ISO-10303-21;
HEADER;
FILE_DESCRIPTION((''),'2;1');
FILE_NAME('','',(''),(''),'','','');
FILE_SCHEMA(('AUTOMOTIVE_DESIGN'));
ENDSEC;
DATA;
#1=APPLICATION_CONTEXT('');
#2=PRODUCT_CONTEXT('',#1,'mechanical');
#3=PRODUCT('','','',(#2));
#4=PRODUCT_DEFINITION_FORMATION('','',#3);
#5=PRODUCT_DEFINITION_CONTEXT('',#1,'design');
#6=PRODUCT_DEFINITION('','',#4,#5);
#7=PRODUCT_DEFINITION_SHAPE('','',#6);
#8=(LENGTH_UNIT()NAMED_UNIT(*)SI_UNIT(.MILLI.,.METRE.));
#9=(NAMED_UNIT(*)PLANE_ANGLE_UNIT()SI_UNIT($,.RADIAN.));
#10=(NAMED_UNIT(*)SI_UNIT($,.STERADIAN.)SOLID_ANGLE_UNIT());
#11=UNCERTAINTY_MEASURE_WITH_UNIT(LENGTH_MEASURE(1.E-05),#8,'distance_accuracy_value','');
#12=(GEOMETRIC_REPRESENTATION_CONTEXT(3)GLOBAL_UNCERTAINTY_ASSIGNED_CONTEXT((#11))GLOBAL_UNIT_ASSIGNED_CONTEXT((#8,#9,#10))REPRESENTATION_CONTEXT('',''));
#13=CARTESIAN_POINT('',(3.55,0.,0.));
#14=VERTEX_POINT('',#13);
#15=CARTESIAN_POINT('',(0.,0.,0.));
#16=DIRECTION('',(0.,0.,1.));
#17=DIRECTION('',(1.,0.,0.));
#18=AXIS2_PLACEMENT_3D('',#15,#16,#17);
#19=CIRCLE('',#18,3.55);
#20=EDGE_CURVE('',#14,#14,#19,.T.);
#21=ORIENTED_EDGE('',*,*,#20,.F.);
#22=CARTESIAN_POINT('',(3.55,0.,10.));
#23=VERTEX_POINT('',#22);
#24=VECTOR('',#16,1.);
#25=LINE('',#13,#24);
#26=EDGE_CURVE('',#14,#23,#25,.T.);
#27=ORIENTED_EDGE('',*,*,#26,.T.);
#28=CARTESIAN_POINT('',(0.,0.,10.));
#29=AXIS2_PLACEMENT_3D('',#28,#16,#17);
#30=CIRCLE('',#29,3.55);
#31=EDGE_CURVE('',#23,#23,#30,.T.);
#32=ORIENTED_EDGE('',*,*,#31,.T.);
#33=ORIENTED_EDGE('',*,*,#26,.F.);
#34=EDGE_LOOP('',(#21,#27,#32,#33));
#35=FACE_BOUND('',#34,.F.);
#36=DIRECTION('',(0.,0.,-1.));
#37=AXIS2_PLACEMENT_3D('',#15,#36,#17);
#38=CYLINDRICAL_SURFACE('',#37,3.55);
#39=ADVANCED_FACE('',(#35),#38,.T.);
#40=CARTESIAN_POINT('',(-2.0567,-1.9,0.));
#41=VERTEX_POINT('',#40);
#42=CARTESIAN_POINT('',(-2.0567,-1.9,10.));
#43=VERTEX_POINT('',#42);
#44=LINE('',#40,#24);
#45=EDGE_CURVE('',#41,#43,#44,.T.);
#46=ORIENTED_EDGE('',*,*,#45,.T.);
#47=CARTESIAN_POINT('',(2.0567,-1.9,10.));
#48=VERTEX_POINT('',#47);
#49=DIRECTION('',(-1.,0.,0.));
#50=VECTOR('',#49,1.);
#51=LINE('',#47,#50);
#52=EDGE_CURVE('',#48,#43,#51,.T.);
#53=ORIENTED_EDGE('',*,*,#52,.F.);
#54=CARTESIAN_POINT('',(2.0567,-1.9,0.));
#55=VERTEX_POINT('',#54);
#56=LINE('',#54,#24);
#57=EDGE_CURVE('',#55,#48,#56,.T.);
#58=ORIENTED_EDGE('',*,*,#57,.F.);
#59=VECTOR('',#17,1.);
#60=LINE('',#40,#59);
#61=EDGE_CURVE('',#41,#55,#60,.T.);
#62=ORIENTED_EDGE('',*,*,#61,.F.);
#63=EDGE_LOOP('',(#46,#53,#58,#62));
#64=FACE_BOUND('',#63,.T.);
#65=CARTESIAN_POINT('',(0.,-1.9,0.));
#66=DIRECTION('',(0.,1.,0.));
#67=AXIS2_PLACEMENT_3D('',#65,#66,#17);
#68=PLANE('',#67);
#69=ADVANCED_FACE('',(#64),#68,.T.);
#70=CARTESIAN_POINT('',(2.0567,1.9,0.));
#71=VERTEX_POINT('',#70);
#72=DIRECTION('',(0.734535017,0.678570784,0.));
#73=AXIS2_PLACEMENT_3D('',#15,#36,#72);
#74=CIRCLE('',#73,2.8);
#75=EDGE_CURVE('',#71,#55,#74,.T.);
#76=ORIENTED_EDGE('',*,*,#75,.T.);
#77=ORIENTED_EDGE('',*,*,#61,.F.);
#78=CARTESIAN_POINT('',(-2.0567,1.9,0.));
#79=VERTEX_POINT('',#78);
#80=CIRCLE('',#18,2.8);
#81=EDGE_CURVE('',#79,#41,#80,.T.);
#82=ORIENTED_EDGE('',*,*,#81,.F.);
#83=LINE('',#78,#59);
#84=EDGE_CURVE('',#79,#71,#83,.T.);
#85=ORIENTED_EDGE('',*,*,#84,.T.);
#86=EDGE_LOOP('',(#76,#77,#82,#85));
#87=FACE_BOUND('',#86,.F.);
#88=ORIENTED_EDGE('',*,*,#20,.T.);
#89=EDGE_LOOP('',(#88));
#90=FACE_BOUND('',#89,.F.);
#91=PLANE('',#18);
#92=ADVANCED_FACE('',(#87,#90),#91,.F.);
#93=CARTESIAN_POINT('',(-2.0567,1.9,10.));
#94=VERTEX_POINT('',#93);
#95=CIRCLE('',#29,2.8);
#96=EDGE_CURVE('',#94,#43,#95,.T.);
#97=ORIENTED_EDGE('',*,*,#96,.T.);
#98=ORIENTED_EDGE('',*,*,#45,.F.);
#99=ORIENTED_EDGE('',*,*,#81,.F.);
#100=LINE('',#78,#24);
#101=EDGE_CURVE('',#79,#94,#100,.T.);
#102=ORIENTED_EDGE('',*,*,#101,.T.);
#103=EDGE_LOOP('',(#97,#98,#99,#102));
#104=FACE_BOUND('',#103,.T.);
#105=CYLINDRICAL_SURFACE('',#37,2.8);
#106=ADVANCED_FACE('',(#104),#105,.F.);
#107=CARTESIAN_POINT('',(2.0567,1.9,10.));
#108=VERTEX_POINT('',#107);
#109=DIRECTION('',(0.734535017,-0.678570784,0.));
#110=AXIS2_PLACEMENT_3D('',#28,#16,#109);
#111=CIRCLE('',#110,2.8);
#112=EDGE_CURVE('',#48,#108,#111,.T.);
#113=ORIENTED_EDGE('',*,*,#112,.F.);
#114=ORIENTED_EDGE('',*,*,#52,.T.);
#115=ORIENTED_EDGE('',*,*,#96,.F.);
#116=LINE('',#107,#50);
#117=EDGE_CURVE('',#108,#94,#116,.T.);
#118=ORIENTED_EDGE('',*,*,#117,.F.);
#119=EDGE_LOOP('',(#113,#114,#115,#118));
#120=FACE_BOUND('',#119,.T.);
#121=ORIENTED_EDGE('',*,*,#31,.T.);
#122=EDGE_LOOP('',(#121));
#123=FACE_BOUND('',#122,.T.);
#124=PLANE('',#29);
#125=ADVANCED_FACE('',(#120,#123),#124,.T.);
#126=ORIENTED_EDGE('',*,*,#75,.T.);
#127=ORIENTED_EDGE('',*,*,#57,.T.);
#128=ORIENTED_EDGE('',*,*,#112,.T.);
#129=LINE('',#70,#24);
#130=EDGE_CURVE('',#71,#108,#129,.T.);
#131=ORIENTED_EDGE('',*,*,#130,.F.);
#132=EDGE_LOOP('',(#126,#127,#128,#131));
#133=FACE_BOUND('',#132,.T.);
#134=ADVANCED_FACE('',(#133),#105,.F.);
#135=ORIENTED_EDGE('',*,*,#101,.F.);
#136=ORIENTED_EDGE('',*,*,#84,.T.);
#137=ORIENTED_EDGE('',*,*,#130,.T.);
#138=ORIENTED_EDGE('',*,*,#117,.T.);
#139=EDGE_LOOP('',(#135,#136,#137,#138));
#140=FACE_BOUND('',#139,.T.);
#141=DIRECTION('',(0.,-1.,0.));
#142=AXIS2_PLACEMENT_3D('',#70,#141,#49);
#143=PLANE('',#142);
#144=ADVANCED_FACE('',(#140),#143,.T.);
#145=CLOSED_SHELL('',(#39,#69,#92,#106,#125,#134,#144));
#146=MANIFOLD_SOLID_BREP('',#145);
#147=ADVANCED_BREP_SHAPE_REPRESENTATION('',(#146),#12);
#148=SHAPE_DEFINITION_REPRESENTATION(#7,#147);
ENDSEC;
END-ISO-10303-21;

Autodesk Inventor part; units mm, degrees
ref_plane "YZ Plane" through (0, 0, 0) normal (1, 0, 0) x (0, 1, 0)
ref_plane "XZ Plane" through (0, 0, 0) normal (0, 1, 0) x (-1, 0, 0)
ref_plane "XY Plane" through (0, 0, 0) normal (0, 0, 1) x (1, 0, 0)
sketch "Sketch1" plane through (0, 0, 0) normal (0, 0, 1) x (1, 0, 0)
  circle A0 centre (0, 0) radius 2.8
  line L0 (0, 2.8) -> (0, 1.9)
  line L1 (0, -2.8) -> (0, -1.9)
  line L2 (-2.0567, -1.9) -> (2.0567, -1.9)
  line L3 (2.0567, 1.9) -> (-2.0567, 1.9)
  circle A1 centre (0, 0) radius 3.55
  dimension "d0" = 5.6
  dimension "d1" = 0.9
  dimension "d2" = 0.9
  dimension "d3" = 4.1134
  dimension "d4" = 4.1134
  dimension "d5" = 7.1
extrude "Extrusion1" add sketch "Sketch1" along normal blind 10 contours L3 L0 A0 | A0 L1 L2 | L0 L3 A0 | A0 L2 L1 | A1
properties part number "Motor Fäste-Test"
